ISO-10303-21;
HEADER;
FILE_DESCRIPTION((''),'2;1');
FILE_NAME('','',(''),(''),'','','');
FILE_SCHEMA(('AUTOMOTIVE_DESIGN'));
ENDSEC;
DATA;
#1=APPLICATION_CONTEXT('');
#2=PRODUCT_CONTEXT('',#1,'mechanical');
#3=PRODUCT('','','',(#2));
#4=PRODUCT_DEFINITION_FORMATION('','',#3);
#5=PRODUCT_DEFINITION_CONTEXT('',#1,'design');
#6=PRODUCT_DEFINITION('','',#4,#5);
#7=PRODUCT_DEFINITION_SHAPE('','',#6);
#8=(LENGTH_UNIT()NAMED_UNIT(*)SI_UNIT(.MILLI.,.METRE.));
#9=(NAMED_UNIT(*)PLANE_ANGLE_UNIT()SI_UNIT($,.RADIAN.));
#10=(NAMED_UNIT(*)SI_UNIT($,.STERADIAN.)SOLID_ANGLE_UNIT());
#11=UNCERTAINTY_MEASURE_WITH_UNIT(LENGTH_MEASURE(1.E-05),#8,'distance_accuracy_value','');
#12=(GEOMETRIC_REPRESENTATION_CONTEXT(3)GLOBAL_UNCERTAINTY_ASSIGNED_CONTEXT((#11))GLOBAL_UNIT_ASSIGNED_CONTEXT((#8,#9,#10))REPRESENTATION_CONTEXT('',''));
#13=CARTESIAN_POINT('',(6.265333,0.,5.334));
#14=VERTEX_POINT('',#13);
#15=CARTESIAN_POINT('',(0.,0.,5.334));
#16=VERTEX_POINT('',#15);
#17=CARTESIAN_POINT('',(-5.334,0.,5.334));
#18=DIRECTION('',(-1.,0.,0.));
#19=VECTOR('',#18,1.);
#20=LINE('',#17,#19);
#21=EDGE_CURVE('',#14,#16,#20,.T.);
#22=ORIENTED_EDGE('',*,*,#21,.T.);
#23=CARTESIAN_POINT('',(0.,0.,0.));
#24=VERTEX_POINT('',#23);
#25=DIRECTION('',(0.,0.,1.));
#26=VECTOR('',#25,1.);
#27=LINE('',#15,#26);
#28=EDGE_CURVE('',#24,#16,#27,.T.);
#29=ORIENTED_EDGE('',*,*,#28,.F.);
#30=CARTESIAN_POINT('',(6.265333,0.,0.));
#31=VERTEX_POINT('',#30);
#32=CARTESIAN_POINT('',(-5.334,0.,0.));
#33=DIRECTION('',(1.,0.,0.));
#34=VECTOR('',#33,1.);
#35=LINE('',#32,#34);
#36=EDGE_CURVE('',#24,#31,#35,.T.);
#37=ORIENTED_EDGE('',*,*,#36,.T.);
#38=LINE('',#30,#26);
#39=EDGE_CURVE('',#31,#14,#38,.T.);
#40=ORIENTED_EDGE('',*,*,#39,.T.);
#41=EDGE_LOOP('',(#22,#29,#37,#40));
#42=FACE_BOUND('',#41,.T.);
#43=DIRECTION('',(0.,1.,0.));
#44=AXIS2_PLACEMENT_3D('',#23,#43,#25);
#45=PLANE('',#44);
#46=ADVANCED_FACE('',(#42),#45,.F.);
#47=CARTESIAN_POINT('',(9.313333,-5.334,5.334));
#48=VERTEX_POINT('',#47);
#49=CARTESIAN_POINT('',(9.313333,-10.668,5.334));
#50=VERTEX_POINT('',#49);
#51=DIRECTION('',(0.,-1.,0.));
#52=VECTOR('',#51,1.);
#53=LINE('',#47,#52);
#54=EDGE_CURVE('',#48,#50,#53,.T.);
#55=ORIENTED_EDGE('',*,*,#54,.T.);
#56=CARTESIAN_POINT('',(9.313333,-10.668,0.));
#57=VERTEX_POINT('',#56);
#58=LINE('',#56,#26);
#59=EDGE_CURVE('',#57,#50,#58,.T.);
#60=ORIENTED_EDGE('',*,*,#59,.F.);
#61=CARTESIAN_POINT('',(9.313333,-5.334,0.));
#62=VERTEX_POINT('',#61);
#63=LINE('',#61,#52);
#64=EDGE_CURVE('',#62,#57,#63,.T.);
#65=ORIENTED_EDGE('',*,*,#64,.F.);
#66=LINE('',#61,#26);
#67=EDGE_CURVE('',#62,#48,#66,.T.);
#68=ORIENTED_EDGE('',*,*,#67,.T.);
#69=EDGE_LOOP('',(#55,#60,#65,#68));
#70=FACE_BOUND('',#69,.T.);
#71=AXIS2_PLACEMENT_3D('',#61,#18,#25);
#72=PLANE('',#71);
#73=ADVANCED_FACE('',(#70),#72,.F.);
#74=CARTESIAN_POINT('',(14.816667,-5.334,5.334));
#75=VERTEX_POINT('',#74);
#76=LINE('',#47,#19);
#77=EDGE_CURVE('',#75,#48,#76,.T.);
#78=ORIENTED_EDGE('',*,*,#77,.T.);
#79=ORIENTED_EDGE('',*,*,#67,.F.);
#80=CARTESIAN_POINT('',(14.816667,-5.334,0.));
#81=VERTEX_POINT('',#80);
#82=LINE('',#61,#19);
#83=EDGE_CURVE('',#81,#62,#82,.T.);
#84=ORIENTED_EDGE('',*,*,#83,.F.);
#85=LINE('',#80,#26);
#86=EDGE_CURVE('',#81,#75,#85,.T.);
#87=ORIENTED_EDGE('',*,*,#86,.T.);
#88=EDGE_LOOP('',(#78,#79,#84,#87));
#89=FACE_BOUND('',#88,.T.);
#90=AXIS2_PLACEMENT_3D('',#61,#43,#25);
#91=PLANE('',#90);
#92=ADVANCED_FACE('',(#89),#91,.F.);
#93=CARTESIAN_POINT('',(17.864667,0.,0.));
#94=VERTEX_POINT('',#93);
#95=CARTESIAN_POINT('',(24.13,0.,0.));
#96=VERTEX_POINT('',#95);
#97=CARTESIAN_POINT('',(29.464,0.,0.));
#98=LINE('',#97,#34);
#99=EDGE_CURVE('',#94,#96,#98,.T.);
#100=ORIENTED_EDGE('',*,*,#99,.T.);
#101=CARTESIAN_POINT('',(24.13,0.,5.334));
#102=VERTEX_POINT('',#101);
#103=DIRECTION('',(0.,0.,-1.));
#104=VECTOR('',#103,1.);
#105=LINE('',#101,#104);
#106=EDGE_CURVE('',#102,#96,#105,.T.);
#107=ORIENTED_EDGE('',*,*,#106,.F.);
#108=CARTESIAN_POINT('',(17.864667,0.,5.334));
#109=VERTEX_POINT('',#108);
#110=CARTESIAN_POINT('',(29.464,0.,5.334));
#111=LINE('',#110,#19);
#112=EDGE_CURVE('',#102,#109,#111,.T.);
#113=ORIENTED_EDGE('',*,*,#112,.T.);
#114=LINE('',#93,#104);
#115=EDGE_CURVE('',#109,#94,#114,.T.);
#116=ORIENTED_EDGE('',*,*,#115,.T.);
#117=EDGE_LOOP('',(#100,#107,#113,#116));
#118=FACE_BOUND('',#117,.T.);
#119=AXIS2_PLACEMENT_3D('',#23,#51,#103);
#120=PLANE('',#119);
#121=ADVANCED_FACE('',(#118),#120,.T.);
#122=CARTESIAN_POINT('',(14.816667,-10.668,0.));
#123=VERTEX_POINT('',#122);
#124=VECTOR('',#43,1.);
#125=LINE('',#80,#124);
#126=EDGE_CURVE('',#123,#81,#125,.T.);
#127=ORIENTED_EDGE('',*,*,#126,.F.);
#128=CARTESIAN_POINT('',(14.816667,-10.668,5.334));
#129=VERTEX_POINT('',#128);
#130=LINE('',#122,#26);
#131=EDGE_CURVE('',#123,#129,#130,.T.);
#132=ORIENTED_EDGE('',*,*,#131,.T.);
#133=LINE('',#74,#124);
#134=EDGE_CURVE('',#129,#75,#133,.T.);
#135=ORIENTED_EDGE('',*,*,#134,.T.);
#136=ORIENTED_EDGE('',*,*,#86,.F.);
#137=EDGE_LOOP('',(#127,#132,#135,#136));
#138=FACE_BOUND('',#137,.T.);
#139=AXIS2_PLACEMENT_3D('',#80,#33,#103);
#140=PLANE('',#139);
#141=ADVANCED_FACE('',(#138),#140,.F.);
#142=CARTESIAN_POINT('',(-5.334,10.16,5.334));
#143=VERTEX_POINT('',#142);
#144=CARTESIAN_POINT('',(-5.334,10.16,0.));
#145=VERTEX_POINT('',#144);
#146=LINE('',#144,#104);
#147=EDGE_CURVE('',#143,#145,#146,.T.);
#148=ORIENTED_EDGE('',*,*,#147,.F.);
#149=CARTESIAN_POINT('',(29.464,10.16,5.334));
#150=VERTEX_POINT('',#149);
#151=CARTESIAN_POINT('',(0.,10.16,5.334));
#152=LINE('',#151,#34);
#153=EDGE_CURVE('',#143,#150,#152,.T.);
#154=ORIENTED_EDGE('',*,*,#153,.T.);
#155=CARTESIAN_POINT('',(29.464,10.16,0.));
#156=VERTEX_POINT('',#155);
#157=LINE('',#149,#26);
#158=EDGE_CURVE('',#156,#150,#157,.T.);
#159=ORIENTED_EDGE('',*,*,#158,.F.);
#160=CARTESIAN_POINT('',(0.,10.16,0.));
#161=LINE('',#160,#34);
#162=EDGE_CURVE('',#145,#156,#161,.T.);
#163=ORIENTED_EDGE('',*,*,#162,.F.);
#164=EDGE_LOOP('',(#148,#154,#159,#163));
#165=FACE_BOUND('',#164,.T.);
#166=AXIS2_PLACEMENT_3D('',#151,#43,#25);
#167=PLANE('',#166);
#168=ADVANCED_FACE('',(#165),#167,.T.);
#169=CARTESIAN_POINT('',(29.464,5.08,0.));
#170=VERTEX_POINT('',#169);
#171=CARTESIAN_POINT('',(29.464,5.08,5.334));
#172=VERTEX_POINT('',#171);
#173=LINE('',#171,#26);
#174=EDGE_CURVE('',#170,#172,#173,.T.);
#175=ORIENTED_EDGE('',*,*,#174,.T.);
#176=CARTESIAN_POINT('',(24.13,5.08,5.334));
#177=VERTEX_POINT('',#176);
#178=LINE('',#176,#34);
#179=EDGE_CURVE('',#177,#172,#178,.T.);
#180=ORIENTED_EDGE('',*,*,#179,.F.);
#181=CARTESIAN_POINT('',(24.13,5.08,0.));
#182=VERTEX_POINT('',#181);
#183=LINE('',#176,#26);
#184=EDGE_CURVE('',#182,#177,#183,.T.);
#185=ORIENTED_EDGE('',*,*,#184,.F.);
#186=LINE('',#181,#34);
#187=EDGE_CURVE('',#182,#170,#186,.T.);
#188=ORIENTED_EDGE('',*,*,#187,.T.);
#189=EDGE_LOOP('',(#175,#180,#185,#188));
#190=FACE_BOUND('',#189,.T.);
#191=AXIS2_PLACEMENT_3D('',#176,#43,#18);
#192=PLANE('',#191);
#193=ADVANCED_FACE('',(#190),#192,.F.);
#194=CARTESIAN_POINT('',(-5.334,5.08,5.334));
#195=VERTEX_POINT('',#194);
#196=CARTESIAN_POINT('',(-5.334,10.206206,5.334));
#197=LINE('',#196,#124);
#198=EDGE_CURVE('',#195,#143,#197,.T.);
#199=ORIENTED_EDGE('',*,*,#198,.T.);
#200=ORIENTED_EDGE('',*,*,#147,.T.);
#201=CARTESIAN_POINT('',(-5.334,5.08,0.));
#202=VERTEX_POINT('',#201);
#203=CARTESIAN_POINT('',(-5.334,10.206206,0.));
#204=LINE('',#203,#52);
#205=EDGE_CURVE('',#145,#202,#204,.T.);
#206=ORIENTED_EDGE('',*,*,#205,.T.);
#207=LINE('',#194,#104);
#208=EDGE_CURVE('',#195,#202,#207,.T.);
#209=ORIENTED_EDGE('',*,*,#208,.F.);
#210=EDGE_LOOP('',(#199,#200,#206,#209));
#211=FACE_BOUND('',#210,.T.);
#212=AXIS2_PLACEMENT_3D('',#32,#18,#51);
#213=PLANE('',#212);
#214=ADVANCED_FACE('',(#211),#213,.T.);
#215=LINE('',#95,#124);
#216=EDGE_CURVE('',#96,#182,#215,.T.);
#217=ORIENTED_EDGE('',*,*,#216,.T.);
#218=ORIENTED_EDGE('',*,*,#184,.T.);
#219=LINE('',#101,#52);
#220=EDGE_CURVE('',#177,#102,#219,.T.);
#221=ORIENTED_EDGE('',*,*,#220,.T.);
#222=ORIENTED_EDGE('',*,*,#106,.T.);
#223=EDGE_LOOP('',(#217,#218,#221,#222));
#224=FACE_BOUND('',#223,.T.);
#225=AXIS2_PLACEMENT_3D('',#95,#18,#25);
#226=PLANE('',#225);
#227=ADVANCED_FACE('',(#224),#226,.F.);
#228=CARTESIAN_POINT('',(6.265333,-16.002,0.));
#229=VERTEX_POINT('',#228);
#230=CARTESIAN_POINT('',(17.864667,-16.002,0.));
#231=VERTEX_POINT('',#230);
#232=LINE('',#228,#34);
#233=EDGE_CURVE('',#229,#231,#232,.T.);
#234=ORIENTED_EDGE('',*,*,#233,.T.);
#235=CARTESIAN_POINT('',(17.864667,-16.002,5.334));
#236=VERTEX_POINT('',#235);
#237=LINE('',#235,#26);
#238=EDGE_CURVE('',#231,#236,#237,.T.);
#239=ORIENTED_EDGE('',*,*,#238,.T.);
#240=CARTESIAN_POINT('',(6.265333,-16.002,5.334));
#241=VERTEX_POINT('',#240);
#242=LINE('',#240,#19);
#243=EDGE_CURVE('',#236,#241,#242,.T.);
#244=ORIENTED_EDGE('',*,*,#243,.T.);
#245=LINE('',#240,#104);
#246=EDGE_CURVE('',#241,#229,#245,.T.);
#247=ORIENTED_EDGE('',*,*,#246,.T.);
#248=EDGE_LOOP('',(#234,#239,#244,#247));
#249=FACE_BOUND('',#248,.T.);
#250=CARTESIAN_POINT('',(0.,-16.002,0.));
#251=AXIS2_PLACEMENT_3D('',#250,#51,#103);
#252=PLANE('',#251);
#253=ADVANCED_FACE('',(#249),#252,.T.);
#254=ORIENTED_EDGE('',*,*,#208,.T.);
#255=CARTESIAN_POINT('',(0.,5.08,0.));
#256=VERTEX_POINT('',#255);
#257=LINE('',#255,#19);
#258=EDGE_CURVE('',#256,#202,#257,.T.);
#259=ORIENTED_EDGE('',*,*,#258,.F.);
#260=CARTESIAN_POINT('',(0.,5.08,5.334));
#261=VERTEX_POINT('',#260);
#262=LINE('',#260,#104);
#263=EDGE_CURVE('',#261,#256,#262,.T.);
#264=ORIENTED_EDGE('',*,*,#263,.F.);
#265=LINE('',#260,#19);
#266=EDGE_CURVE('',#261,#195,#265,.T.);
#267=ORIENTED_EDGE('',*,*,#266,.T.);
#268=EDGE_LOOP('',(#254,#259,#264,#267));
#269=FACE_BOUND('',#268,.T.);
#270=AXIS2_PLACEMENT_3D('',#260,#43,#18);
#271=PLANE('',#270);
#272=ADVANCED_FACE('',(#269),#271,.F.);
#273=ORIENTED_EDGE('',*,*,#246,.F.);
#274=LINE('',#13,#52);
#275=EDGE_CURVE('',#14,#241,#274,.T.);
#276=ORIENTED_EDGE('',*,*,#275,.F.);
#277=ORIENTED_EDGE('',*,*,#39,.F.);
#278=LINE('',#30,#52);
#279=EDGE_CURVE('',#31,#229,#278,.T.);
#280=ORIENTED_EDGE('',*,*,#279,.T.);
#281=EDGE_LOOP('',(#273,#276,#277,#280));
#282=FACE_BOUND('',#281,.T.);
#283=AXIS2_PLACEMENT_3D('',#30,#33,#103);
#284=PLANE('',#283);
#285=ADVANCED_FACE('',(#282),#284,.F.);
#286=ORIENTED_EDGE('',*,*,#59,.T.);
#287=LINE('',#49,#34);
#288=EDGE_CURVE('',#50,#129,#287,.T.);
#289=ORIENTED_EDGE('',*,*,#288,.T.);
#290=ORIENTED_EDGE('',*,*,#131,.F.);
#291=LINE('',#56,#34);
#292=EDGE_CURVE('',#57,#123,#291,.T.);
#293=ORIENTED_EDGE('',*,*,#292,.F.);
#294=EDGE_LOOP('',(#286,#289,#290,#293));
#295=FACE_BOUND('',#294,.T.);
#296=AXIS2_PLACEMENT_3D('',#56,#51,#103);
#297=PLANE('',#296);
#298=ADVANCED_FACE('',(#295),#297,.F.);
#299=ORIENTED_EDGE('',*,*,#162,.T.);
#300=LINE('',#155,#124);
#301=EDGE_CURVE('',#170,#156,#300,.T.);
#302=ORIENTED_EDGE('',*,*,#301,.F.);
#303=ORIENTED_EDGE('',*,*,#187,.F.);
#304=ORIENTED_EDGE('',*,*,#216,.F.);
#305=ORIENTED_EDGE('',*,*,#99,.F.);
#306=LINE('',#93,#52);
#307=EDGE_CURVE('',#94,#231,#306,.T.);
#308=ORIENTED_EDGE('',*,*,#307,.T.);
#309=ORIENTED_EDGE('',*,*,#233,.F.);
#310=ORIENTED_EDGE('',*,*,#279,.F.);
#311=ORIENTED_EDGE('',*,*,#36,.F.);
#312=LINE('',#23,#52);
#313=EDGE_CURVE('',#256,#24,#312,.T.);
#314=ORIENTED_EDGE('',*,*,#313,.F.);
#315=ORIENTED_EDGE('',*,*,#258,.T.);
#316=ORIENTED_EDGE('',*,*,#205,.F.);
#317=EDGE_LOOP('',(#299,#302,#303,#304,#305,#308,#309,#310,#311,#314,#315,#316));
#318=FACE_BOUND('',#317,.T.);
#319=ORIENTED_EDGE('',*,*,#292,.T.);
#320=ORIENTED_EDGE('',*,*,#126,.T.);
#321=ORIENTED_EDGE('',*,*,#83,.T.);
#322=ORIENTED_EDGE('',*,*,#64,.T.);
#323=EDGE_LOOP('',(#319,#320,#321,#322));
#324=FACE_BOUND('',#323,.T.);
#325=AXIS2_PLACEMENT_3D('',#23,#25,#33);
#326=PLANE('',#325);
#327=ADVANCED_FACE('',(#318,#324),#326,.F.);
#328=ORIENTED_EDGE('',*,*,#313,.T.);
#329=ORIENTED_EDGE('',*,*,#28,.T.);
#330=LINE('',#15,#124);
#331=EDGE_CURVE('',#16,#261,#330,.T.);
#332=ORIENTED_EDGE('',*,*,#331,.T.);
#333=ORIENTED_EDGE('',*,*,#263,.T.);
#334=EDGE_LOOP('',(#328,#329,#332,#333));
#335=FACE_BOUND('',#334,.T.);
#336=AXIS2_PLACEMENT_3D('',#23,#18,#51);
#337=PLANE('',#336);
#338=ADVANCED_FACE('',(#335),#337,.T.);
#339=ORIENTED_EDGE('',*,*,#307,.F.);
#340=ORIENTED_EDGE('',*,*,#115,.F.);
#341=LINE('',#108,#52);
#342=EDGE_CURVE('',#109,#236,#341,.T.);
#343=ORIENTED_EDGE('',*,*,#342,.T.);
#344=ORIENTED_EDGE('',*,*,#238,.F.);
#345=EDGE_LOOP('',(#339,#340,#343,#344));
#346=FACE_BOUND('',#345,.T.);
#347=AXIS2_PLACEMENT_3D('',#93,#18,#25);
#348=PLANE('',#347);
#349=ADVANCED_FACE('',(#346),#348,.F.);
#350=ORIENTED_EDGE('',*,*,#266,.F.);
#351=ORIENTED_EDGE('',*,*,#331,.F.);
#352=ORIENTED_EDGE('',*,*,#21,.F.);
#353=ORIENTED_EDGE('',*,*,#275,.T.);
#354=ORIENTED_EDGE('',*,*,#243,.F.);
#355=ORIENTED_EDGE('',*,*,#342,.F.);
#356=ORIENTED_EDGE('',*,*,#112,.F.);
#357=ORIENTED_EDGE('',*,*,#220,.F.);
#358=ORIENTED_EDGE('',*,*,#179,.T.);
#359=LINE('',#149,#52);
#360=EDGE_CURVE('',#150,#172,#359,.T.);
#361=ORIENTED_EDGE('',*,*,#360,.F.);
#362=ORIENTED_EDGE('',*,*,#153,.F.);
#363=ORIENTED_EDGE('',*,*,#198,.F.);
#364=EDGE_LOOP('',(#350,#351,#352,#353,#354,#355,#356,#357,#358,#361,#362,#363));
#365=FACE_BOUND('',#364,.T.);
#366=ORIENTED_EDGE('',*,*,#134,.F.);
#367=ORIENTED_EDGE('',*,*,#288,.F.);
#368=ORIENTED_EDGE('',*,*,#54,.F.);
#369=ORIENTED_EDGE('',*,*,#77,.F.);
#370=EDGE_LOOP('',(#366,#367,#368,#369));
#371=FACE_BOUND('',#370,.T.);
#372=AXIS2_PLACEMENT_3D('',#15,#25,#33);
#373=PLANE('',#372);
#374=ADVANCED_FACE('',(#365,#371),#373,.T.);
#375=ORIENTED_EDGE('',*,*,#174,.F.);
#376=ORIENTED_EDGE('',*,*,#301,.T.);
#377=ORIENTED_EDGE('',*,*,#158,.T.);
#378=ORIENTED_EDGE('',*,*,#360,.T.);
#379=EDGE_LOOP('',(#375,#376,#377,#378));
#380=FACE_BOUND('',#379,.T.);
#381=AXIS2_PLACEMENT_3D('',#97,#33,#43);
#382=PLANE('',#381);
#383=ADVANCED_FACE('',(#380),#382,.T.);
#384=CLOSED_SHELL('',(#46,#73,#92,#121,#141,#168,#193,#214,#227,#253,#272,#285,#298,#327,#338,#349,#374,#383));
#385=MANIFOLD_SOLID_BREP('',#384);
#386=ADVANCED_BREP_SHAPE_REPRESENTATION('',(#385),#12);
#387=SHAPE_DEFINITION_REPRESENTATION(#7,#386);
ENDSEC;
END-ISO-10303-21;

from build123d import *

# Parameters (mm, degrees)
SKETCH1_W            = 24.13
SKETCH1_H            = 10.16
BOSS_EXTRUDE1_DEPTH  = 5.334
SKETCH6_W            = 5.334
SKETCH6_H            = 10.16
BOSS_EXTRUDE5_DEPTH  = 5.334
SKETCH11_W           = 5.334
SKETCH11_H           = 10.206206115
BOSS_EXTRUDE6_DEPTH  = 5.334
SKETCH12_W           = 34.798
SKETCH12_H           = 5.334
BOSS_EXTRUDE7_DEPTH  = 5.334
SKETCH13_W           = 5.334
SKETCH13_H           = 0.046206115
CUT_EXTRUDE1_DEPTH   = 32.634561721
SKETCH17_W           = 11.599333333
SKETCH17_H           = 5.334
CUT_EXTRUDE5_DEPTH   = 5.334
SKETCH18_W           = 5.334
SKETCH18_H           = 5.08
SKETCH18_W_2         = 11.684
CUT_EXTRUDE6_DEPTH   = 5.334
SKETCH19_W           = 5.334
SKETCH19_H           = 5.08
BOSS_EXTRUDE8_DEPTH  = 5.334
SKETCH20_W           = 5.334
SKETCH20_H           = 5.08
BOSS_EXTRUDE10_DEPTH = 1.016
SKETCH21_W           = 11.599333334
SKETCH21_H           = 5.334
BOSS_EXTRUDE11_DEPTH = 10.668
SKETCH22_W           = 5.503333334
SKETCH22_H           = 5.334
CUT_EXTRUDE7_DEPTH   = 34.950594339
SKETCH23_W           = 5.334
SKETCH23_H           = 5.08
BOSS_EXTRUDE12_DEPTH = 5.334
SKETCH24_W           = 5.334
SKETCH24_H           = 5.08
CUT_EXTRUDE8_DEPTH   = 5.334
SKETCH25_W           = 5.334
SKETCH25_H           = 5.08
BOSS_EXTRUDE13_DEPTH = 5.334
SKETCH26_W           = 5.334
SKETCH26_H           = 5.08
CUT_EXTRUDE9_DEPTH   = 5.334


with BuildPart() as part:
    # Sketch1 → Boss-Extrude1 (new body)
    with BuildSketch(Plane.XY):
        with Locations((12.065, 5.08)):
            Rectangle(SKETCH1_W, SKETCH1_H)
    extrude(amount=BOSS_EXTRUDE1_DEPTH)

    # Sketch6 → Boss-Extrude5 (add)
    with BuildSketch(Plane(origin=(24.13, 0, 0), x_dir=(0, 0, -1), z_dir=(1, 0, 0))):
        with Locations((-2.667, 5.08)):
            Rectangle(SKETCH6_W, SKETCH6_H)
    extrude(amount=BOSS_EXTRUDE5_DEPTH)

    # Sketch11 → Boss-Extrude6 (add)
    with BuildSketch(Plane.ZY):
        with Locations((2.667, 5.103103058)):
            Rectangle(SKETCH11_W, SKETCH11_H)
    extrude(amount=BOSS_EXTRUDE6_DEPTH)

    # Sketch12 → Boss-Extrude7 (add)
    with BuildSketch(Plane(origin=(0, 0, 0), x_dir=(-1, 0, 0), z_dir=(0, -1, 0))):
        with Locations((-12.065, -2.667)):
            Rectangle(SKETCH12_W, SKETCH12_H)
    extrude(amount=BOSS_EXTRUDE7_DEPTH)

    # Sketch13 → Cut-Extrude1 (cut, through all)
    with BuildSketch(Plane(origin=(0, 0, 0), x_dir=(-1, 0, 0), z_dir=(0, 0, -1))):
        with Locations((2.667, 10.183103058)):
            Rectangle(SKETCH13_W, SKETCH13_H)
    extrude(amount=-CUT_EXTRUDE1_DEPTH, mode=Mode.SUBTRACT)

    # Sketch17 → Cut-Extrude5 (cut)
    with BuildSketch(Plane(origin=(0, -5.334, 0), x_dir=(-1, 0, 0), z_dir=(0, -1, 0))):
        with Locations((-0.465666666, -2.667)):
            Rectangle(SKETCH17_W, SKETCH17_H)
        with Locations((-23.664333334, -2.667)):
            Rectangle(SKETCH17_W, SKETCH17_H)
    extrude(amount=-CUT_EXTRUDE5_DEPTH, mode=Mode.SUBTRACT)

    # Sketch18 → Cut-Extrude6 (cut)
    with BuildSketch(Plane.XY.offset(5.334)):
        with Locations((-2.667, 7.62)):
            Rectangle(SKETCH18_W, SKETCH18_H)
        with Locations((23.622, 7.62)):
            Rectangle(SKETCH18_W_2, SKETCH18_H)
    extrude(amount=-CUT_EXTRUDE6_DEPTH, mode=Mode.SUBTRACT)

    # Sketch19 → Boss-Extrude8 (add)
    with BuildSketch(Plane(origin=(17.78, 0, 0), x_dir=(0, 0, -1), z_dir=(1, 0, 0))):
        with Locations((-2.667, 7.62)):
            Rectangle(SKETCH19_W, SKETCH19_H)
    extrude(amount=BOSS_EXTRUDE8_DEPTH)

    # Sketch20 → Boss-Extrude10 (add)
    with BuildSketch(Plane(origin=(23.114, 0, 0), x_dir=(0, 0, -1), z_dir=(1, 0, 0))):
        with Locations((-2.667, 7.62)):
            Rectangle(SKETCH20_W, SKETCH20_H)
    extrude(amount=BOSS_EXTRUDE10_DEPTH)

    # Sketch21 → Boss-Extrude11 (add)
    with BuildSketch(Plane.XZ.offset(5.334)):
        with Locations((12.065, 2.667)):
            Rectangle(SKETCH21_W, SKETCH21_H)
    extrude(amount=BOSS_EXTRUDE11_DEPTH)

    # Sketch22 → Cut-Extrude7 (cut, through all)
    with BuildSketch(Plane.XY.offset(5.334)):
        with Locations((12.065, -8.001)):
            Rectangle(SKETCH22_W, SKETCH22_H)
    extrude(amount=-CUT_EXTRUDE7_DEPTH, mode=Mode.SUBTRACT)

    # Sketch23 → Boss-Extrude12 (add)
    with BuildSketch(Plane.ZY):
        with Locations((2.667, 7.62)):
            Rectangle(SKETCH23_W, SKETCH23_H)
    extrude(amount=BOSS_EXTRUDE12_DEPTH)

    # Sketch24 → Cut-Extrude8 (cut)
    with BuildSketch(Plane.ZY.offset(5.334)):
        with Locations((2.667, 2.54)):
            Rectangle(SKETCH24_W, SKETCH24_H)
    extrude(amount=-CUT_EXTRUDE8_DEPTH, mode=Mode.SUBTRACT)

    # Sketch25 → Boss-Extrude13 (add)
    with BuildSketch(Plane(origin=(24.13, 0, 0), x_dir=(0, 0, -1), z_dir=(1, 0, 0))):
        with Locations((-2.667, 7.62)):
            Rectangle(SKETCH25_W, SKETCH25_H)
    extrude(amount=BOSS_EXTRUDE13_DEPTH)

    # Sketch26 → Cut-Extrude9 (cut)
    with BuildSketch(Plane(origin=(29.464, 0, 0), x_dir=(0, 0, -1), z_dir=(1, 0, 0))):
        with Locations((-2.667, 2.54)):
            Rectangle(SKETCH26_W, SKETCH26_H)
    extrude(amount=-CUT_EXTRUDE9_DEPTH, mode=Mode.SUBTRACT)


solid = part.part
